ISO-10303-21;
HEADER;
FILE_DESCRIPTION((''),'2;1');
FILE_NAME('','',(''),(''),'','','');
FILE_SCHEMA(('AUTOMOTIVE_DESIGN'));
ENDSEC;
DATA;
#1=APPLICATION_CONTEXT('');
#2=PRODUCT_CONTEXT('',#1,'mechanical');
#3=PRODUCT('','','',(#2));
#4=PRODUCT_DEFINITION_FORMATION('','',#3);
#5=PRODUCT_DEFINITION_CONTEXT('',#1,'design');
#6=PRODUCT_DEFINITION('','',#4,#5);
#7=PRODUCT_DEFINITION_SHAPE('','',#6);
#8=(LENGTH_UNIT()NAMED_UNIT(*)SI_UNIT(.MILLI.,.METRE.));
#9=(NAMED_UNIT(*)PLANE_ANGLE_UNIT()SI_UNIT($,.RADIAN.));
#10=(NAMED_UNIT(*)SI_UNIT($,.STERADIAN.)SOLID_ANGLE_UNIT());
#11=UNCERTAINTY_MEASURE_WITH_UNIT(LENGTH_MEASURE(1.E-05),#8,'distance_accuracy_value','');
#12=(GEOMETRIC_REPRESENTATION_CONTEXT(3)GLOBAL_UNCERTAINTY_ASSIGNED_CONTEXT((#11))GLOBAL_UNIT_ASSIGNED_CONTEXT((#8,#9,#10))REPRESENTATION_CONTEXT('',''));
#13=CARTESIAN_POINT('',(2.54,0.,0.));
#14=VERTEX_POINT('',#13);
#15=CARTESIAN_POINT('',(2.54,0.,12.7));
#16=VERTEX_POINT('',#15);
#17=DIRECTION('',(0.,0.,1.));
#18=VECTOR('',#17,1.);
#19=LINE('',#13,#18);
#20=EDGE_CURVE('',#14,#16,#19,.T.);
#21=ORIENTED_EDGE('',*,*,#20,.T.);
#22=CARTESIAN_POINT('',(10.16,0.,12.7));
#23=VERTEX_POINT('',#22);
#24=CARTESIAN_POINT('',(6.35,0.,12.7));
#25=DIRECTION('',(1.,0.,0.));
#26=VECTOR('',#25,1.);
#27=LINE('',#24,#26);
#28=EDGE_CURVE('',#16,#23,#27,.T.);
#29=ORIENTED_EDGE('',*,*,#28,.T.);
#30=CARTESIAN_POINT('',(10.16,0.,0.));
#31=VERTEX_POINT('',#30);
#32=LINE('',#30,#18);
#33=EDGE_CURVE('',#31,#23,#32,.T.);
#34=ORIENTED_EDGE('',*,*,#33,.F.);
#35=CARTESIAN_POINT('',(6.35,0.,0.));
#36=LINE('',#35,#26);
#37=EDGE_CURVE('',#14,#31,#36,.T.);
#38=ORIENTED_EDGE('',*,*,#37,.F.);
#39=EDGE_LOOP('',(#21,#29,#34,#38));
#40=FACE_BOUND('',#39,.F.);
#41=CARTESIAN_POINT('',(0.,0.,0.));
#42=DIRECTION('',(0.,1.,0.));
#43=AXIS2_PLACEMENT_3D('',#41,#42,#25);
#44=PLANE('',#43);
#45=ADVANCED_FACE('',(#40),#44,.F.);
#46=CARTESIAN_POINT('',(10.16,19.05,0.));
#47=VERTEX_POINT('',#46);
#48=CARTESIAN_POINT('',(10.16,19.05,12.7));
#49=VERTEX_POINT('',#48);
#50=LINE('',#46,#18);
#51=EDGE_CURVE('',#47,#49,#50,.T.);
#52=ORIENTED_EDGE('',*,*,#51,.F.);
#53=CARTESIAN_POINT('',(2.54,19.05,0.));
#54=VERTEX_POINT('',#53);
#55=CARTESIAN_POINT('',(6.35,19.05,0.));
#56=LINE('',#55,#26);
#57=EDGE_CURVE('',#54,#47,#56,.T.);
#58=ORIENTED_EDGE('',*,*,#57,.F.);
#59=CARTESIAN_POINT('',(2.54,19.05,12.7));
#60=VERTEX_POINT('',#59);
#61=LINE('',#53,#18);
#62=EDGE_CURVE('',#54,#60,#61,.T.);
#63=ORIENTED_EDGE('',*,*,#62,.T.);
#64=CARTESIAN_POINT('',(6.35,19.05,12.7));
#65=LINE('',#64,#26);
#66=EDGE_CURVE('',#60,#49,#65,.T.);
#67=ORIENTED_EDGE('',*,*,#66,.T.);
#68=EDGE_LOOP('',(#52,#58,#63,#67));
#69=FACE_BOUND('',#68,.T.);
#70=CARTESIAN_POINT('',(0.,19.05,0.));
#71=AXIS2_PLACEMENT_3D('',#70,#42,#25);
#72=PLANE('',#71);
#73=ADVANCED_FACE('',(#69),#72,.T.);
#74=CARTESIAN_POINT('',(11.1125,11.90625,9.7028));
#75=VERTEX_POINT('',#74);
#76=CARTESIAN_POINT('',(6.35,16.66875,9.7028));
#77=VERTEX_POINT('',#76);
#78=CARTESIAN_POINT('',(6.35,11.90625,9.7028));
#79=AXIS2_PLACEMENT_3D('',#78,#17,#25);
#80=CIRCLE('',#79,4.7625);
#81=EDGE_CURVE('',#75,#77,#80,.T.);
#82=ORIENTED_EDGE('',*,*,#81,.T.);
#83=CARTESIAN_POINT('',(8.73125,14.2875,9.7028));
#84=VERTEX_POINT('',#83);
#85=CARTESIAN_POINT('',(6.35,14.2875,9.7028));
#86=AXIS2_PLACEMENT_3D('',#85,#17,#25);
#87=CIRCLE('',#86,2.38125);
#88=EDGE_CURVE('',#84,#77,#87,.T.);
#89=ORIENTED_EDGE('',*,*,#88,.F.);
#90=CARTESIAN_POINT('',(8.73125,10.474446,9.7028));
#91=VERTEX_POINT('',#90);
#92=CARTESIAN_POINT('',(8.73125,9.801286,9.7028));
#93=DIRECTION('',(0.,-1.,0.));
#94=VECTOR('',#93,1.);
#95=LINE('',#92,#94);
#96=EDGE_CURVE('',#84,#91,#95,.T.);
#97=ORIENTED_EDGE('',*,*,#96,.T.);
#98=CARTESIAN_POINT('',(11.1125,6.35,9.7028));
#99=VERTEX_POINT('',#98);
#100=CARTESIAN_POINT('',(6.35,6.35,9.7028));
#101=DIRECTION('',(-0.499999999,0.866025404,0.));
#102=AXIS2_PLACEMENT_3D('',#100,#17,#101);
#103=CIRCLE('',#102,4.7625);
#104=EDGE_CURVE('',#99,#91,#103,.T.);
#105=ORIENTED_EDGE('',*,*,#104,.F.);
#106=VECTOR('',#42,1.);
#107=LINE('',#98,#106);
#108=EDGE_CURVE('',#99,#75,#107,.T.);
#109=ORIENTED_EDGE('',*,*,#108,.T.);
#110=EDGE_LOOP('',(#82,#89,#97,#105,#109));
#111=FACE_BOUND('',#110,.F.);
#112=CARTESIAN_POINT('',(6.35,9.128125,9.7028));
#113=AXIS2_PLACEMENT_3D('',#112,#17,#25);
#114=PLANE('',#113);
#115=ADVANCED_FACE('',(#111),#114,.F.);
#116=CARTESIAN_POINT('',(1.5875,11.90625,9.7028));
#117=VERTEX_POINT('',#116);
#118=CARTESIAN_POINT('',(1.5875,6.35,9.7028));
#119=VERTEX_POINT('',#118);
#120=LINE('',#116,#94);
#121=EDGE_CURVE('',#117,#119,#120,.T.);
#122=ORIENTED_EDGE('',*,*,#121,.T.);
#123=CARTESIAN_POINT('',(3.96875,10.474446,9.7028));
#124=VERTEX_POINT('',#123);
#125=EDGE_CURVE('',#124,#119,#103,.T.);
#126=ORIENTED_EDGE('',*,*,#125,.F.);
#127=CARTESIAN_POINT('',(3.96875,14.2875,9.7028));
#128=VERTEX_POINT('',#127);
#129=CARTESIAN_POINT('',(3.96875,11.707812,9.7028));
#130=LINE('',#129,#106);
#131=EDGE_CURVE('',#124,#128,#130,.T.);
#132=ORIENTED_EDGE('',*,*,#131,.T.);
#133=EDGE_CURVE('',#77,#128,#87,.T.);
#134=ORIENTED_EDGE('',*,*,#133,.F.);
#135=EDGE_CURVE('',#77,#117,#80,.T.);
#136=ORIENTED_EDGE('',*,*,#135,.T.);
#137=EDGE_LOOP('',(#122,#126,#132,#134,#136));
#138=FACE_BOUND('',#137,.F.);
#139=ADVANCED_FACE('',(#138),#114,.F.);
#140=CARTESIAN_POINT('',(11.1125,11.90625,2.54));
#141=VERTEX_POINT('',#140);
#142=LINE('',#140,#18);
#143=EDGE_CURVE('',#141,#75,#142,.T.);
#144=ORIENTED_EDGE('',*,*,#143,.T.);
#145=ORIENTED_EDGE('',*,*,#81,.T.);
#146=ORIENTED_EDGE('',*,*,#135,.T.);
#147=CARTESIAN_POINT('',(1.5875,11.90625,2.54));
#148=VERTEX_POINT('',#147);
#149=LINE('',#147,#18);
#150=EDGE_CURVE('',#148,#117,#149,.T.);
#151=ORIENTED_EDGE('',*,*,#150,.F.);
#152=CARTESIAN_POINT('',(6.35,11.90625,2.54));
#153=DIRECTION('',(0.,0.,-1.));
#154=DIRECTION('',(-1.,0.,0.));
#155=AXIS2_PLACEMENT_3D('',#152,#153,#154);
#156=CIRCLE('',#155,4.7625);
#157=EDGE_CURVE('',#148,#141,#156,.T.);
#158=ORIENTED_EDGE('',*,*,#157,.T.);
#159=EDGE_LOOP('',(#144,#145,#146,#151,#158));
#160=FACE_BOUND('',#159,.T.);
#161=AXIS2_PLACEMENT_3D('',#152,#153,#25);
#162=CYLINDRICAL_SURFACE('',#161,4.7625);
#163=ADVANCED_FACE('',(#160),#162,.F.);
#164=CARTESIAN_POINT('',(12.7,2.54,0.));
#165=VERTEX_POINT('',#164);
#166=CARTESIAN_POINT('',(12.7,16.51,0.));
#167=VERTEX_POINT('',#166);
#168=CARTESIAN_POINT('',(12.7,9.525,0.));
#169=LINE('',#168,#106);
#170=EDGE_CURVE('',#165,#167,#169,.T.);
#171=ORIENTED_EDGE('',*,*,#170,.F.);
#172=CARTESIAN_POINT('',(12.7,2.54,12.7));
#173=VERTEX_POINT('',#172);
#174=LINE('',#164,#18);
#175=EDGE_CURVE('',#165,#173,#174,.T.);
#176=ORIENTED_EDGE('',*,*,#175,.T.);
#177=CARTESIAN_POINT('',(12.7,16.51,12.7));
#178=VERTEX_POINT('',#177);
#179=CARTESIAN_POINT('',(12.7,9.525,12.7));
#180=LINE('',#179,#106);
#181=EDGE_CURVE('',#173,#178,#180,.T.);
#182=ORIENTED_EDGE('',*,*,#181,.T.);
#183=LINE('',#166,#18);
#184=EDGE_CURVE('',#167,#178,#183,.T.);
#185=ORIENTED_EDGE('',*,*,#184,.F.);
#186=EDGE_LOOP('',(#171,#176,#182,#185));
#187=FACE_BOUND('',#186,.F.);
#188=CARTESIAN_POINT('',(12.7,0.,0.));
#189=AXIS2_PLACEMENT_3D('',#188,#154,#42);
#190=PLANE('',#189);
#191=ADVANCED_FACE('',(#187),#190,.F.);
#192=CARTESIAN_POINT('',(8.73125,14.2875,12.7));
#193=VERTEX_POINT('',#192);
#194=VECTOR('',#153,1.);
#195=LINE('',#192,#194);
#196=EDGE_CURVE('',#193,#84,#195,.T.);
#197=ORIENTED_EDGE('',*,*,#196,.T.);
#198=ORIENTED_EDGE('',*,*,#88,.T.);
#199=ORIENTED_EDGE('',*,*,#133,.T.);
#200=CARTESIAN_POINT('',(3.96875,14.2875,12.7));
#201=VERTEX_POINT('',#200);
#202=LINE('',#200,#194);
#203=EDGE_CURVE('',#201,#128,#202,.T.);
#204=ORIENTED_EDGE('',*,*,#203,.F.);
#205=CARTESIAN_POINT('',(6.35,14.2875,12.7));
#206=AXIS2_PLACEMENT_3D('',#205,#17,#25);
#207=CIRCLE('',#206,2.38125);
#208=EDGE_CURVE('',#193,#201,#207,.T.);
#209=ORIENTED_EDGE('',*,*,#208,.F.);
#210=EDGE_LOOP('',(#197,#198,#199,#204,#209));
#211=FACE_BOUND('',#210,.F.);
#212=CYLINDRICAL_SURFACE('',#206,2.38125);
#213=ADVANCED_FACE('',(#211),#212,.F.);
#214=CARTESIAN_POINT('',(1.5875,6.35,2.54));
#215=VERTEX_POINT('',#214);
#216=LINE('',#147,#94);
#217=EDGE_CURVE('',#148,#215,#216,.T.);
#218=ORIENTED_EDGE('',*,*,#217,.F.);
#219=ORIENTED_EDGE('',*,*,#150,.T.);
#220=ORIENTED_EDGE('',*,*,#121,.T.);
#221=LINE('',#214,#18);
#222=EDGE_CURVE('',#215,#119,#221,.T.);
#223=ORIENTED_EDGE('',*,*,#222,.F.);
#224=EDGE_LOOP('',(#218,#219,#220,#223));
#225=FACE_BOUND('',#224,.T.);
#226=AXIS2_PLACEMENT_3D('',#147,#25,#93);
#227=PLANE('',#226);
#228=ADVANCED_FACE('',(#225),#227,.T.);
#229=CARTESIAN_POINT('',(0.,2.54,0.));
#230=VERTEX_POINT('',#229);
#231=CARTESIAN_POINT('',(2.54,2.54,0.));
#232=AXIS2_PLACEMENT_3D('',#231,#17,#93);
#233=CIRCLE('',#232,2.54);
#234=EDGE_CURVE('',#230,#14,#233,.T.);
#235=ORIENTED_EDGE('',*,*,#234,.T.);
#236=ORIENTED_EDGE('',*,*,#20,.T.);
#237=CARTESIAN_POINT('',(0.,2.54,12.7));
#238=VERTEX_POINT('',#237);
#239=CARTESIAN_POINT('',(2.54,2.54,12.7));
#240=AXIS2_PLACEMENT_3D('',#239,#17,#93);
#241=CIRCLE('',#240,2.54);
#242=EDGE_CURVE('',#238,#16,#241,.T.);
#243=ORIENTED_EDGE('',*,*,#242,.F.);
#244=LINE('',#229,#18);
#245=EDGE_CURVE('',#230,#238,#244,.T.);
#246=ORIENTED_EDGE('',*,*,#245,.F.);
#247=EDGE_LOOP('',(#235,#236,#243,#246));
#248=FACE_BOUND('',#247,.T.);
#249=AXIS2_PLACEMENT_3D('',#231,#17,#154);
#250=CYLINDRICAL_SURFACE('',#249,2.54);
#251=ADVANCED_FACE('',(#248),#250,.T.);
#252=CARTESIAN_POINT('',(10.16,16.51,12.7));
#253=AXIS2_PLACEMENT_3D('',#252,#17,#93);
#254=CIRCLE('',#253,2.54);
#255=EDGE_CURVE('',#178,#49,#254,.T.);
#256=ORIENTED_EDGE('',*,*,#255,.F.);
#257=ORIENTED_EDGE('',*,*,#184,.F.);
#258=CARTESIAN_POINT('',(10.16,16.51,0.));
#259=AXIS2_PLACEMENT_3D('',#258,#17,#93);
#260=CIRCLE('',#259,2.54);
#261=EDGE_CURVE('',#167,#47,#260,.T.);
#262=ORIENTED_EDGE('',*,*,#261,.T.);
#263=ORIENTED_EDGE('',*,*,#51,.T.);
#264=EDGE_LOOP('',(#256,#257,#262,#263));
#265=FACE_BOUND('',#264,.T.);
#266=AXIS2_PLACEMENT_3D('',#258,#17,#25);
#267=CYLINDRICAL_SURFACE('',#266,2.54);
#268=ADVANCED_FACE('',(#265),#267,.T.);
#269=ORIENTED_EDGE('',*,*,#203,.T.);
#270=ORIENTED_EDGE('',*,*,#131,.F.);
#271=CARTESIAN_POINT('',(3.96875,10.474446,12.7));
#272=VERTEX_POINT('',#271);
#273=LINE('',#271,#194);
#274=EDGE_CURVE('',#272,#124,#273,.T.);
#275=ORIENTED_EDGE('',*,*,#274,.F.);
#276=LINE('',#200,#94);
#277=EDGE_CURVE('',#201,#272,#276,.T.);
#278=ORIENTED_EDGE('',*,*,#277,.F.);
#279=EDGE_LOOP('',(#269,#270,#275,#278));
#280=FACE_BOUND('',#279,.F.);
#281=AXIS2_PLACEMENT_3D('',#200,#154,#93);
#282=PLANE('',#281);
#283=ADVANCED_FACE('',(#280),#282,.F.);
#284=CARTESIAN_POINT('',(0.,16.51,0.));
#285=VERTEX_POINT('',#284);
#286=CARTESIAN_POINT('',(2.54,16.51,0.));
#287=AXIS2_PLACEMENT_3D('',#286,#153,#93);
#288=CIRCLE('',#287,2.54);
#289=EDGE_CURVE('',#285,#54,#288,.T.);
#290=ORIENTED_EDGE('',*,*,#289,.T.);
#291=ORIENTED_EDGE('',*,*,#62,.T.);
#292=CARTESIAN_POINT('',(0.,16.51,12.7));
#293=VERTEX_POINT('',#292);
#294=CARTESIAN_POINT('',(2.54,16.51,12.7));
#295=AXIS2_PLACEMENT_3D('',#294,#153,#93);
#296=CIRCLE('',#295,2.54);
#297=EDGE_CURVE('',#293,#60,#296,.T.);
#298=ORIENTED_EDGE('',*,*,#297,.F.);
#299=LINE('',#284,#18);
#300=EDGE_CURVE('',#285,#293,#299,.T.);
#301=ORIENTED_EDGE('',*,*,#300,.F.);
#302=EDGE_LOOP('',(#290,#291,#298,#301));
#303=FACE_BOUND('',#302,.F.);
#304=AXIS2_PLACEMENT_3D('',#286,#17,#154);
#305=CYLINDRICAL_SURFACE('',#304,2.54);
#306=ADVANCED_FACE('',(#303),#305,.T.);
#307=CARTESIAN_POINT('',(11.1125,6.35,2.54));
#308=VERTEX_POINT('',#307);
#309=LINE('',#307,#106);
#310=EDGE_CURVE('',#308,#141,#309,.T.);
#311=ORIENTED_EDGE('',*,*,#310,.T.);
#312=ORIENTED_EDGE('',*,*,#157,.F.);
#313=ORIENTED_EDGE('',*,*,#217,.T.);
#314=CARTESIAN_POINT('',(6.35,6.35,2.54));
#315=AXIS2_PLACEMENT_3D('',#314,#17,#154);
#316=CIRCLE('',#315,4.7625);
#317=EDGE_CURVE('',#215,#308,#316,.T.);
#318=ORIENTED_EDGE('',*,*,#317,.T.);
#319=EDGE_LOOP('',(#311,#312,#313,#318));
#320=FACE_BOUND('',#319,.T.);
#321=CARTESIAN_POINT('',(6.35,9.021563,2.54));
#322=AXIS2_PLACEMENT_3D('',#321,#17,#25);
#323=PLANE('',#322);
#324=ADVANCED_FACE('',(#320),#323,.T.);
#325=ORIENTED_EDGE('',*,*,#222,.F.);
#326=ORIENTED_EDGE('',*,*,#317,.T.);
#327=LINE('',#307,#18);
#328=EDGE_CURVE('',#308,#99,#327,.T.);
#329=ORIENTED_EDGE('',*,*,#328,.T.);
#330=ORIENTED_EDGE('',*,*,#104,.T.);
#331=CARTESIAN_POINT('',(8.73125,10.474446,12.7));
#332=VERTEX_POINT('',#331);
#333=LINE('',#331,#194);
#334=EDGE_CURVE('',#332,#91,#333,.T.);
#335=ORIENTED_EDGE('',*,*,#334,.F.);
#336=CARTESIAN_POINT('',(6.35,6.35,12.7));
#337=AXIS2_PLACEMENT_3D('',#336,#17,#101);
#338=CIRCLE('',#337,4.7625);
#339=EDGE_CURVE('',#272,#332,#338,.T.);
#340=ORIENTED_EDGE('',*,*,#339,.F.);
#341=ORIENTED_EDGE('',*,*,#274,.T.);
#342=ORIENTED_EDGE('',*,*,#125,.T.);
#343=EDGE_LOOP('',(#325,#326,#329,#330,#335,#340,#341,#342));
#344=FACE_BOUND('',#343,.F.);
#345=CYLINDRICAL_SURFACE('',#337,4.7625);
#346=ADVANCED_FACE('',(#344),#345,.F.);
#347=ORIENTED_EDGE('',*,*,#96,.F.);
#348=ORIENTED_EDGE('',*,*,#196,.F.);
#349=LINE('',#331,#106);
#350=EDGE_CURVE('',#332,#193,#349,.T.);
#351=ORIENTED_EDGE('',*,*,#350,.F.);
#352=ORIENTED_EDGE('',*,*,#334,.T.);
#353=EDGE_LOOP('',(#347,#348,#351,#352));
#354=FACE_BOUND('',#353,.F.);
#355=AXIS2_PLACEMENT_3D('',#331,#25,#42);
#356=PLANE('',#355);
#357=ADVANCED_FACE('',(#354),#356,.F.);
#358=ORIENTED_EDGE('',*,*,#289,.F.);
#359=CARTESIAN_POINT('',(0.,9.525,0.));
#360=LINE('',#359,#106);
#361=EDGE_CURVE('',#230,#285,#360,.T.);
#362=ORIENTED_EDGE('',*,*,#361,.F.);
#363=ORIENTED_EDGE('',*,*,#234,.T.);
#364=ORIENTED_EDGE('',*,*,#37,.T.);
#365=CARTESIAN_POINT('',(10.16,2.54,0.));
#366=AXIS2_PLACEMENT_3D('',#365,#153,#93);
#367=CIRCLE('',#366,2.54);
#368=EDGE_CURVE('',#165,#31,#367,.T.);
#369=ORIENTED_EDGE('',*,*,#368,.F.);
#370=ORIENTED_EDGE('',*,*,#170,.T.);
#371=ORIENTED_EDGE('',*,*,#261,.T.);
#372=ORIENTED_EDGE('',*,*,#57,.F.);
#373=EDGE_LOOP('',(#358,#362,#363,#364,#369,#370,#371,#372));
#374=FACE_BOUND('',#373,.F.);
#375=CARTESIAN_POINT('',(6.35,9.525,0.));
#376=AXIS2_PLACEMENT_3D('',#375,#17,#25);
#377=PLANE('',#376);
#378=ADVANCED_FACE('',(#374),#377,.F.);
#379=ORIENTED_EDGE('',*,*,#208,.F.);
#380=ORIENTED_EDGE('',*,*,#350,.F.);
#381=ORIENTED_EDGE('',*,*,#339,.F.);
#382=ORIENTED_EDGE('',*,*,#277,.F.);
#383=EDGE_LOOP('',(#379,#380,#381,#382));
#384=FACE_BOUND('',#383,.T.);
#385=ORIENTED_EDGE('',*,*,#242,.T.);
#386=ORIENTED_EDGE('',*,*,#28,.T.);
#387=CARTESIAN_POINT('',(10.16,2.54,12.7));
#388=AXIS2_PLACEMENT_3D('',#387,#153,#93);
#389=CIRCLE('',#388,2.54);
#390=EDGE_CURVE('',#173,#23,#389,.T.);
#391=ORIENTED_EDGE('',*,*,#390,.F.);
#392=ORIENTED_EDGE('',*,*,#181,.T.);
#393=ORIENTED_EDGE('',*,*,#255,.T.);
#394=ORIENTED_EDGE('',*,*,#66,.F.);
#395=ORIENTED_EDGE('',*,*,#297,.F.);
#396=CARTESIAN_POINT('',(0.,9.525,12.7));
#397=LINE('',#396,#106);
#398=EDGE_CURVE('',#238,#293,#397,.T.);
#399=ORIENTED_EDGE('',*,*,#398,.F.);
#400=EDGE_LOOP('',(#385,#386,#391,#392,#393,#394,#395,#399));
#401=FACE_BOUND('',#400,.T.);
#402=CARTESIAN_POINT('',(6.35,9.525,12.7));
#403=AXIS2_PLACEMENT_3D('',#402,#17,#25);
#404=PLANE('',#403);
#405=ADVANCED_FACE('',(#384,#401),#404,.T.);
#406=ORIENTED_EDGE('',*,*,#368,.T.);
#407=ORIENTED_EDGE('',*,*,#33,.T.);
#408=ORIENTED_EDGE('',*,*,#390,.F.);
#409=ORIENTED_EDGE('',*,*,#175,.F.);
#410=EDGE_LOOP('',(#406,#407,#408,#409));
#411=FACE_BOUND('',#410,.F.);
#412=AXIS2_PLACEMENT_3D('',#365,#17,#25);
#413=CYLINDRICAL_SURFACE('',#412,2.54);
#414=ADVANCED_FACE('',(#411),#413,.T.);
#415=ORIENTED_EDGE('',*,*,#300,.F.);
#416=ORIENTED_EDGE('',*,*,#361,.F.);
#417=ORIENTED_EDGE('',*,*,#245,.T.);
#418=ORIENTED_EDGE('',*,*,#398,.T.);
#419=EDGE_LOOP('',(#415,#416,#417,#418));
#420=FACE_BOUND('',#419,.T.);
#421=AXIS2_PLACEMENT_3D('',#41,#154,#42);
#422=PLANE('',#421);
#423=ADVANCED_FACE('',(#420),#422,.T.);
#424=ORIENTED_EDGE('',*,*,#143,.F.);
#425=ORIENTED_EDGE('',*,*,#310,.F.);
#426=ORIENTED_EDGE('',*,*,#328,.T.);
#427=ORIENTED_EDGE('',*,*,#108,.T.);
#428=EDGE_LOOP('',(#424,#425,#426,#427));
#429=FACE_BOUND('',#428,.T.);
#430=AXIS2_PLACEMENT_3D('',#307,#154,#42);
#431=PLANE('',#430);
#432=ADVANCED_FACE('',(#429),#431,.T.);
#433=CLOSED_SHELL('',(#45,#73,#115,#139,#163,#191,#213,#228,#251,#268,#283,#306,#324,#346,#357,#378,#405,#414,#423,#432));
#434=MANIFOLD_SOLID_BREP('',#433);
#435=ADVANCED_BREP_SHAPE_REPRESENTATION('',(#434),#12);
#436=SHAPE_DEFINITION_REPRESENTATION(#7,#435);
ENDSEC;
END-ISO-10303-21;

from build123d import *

# Parameters (mm, degrees)
F0_W     = 12.7
F0_H     = 19.05
F1_DEPTH = 12.7
F3_DEPTH = 10.16
F5_DEPTH = 7.1628
F6_R     = 2.54


with BuildPart() as f1:
    # F0 (on Top) → F1 (new body)
    with BuildSketch(Plane.XY):
        with Locations((6.35, 9.525)):
            Rectangle(F0_W, F0_H)
    extrude(amount=F1_DEPTH)

    # F2 (on face) → F3 (cut)
    with BuildSketch(Plane.XY.offset(12.7)):
        with BuildLine():
            Line((3.96875, 14.2875), (3.96875, 10.474446))
            ThreePointArc((3.96875, 10.474446), (6.35, 1.5875), (8.73125, 10.474446))
            Line((8.73125, 10.474446), (8.73125, 14.2875))
            ThreePointArc((8.73125, 14.2875), (6.35, 16.66875), (3.96875, 14.2875))
        make_face()
    extrude(amount=-F3_DEPTH, mode=Mode.SUBTRACT)

    # F4 (on face) → F5 (cut)
    with BuildSketch(Plane.XY.offset(2.54)):
        with BuildLine():
            Line((1.5875, 11.90625), (1.5875, 6.35))
            ThreePointArc((1.5875, 6.35), (6.35, 1.5875), (11.1125, 6.35))
            Line((11.1125, 6.35), (11.1125, 11.90625))
            ThreePointArc((11.1125, 11.90625), (6.35, 16.66875), (1.5875, 11.90625))
        make_face()
    extrude(amount=F5_DEPTH, mode=Mode.SUBTRACT)

    # F6
    f6_edges = [f1.edges().sort_by_distance(p)[0] for p in [
        (12.7, 0, 6.35),
        (12.7, 19.05, 6.35),
        (0, 0, 6.35),
        (0, 19.05, 6.35),
    ]]
    fillet(f6_edges, radius=F6_R)


solid = f1.part
